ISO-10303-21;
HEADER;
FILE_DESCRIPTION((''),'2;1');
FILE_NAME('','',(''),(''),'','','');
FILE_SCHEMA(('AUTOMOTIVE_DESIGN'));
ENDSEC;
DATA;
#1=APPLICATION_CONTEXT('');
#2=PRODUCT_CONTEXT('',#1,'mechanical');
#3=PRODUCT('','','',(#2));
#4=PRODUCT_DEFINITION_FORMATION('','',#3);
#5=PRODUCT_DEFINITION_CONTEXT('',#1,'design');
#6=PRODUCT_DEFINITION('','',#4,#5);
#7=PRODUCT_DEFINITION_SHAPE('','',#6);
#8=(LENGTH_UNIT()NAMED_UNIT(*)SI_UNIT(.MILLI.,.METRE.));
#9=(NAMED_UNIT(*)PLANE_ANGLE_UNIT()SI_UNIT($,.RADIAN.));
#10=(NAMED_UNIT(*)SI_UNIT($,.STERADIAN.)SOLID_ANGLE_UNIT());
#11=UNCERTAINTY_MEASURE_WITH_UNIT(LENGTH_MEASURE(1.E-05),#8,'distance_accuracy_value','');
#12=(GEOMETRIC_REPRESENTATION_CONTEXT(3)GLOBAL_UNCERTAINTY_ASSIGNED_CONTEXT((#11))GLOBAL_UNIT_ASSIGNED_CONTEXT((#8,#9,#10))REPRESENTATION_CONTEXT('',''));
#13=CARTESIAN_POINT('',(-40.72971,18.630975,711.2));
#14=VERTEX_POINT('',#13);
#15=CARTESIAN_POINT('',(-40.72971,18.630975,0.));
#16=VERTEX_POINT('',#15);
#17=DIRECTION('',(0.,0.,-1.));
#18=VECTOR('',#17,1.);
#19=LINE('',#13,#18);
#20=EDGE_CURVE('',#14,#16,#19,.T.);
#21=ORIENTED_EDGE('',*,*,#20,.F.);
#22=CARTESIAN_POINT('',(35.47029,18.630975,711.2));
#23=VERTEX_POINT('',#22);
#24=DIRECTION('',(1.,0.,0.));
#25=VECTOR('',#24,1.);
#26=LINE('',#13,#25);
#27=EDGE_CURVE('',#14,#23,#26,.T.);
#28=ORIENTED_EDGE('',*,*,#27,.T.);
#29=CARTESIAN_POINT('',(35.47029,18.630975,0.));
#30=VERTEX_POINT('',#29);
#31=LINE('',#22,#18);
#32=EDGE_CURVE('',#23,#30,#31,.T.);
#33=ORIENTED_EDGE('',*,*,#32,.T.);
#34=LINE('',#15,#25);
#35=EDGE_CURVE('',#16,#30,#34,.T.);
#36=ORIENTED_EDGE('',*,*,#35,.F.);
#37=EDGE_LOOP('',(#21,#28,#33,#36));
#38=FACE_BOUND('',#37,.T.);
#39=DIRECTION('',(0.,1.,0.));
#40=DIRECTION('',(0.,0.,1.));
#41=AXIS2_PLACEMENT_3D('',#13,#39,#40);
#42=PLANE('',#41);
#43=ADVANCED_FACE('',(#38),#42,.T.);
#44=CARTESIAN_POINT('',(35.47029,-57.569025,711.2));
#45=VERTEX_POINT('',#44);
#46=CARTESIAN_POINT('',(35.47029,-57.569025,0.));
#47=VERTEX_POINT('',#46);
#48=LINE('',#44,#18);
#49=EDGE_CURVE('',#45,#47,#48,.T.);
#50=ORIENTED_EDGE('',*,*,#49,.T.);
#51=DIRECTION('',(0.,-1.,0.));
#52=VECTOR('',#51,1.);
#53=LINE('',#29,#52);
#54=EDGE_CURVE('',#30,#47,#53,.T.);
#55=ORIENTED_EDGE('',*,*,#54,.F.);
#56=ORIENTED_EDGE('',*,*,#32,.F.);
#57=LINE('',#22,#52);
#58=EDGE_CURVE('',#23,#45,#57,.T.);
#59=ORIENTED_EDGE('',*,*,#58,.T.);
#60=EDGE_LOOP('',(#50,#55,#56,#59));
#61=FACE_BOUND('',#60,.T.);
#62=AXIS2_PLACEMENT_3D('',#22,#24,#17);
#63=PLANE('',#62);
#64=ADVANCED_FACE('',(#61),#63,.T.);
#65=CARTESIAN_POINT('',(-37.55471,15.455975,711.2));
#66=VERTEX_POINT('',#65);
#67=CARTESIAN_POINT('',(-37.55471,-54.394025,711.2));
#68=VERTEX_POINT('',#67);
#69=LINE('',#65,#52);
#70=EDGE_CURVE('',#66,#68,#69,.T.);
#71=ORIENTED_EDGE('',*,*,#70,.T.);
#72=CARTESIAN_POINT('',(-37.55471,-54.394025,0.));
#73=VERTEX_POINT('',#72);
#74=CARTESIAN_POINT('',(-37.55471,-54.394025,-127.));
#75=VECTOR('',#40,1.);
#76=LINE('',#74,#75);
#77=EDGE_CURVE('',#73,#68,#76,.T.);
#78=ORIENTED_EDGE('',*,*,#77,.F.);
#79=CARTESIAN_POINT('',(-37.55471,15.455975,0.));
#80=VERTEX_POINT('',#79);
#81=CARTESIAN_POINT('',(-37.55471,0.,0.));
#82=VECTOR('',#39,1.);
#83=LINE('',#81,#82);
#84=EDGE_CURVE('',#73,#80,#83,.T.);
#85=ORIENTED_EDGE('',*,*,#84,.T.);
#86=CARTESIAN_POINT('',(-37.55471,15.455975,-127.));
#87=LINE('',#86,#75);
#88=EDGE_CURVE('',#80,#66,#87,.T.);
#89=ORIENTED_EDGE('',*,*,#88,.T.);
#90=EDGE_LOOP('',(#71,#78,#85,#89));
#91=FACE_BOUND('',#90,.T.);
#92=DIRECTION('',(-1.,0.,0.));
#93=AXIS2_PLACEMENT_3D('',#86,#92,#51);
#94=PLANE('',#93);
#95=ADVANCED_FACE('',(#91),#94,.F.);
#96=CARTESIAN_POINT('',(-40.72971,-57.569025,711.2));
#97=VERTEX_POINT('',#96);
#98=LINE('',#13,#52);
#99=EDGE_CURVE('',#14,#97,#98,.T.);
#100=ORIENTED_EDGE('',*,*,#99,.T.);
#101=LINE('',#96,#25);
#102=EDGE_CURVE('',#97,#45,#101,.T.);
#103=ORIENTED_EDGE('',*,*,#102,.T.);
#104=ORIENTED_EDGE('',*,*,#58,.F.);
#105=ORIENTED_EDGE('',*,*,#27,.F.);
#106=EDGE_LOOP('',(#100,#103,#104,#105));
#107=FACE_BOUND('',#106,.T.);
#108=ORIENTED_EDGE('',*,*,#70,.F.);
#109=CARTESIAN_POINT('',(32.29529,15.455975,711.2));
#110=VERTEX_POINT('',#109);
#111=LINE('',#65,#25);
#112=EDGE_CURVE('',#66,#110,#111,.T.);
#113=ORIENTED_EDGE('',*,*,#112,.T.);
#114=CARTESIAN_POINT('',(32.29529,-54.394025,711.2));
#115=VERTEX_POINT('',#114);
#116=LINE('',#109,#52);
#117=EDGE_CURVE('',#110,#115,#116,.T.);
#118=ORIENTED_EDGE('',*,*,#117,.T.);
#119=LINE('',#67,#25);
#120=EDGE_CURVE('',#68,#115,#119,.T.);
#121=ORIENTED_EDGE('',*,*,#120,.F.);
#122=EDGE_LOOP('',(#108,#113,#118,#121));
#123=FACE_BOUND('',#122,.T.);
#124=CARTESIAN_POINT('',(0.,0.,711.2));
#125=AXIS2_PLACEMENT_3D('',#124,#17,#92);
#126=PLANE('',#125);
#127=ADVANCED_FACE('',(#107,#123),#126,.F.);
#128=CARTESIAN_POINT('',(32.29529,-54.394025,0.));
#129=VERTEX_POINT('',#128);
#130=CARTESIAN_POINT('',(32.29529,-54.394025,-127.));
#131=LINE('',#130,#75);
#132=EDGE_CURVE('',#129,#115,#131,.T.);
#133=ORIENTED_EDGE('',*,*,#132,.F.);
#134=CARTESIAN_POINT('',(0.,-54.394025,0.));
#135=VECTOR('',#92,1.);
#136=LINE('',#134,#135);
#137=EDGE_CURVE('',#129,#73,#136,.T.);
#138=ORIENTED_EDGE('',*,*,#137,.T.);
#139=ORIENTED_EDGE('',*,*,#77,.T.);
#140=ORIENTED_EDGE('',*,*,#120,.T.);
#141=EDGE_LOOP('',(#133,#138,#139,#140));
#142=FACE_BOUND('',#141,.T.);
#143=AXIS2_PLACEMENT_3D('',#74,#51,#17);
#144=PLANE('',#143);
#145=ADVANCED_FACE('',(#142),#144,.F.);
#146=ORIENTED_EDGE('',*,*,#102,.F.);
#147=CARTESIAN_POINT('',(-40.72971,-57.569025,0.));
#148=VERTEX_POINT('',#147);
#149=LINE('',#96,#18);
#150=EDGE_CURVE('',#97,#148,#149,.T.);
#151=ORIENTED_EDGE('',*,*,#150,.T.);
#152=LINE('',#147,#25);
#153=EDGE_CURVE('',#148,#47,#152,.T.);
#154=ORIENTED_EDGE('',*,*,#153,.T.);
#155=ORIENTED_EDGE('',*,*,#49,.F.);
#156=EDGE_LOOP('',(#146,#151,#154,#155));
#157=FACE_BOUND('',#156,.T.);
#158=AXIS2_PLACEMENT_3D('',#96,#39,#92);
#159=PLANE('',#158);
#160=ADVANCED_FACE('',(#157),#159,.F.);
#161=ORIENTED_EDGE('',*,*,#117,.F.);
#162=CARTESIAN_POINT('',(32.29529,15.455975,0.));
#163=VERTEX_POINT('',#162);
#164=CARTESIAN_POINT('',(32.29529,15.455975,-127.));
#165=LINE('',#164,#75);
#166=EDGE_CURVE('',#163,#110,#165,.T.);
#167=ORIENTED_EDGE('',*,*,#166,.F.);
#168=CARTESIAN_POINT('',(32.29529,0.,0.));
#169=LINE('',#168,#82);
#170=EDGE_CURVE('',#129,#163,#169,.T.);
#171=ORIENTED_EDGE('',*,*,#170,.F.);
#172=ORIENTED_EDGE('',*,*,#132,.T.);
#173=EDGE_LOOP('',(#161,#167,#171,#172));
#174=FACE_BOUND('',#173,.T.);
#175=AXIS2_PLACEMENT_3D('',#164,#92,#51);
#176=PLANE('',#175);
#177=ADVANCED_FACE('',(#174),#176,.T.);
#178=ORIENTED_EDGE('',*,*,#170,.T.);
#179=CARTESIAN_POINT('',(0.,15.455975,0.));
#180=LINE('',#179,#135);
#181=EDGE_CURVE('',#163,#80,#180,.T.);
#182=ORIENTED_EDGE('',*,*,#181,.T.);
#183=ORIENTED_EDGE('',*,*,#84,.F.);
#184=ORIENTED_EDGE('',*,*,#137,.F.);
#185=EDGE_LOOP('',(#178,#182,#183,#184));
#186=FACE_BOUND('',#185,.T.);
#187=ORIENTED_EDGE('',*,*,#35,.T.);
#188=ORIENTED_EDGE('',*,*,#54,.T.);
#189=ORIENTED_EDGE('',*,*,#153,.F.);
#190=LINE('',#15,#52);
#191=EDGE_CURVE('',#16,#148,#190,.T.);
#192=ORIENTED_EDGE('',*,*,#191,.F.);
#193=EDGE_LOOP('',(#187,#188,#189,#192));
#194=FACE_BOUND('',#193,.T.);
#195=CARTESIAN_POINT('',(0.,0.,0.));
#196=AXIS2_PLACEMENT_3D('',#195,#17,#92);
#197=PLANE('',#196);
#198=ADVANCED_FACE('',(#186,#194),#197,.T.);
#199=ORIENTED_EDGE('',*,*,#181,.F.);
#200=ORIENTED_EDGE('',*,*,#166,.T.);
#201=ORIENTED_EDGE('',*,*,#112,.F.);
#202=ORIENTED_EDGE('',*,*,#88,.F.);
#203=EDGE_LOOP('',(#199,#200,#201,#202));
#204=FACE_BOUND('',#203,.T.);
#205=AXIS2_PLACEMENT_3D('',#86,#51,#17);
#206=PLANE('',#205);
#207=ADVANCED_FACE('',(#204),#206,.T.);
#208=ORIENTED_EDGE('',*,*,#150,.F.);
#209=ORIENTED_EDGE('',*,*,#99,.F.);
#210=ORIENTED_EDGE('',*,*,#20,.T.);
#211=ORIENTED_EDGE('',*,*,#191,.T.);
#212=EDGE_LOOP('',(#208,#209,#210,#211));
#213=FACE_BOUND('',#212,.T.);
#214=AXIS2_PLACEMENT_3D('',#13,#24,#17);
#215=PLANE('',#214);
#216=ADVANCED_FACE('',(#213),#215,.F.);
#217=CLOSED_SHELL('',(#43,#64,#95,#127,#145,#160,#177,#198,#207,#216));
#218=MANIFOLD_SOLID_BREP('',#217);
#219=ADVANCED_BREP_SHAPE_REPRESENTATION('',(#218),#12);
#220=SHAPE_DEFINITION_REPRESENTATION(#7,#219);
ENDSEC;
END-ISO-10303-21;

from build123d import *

# Parameters (mm, degrees)
SKETCH2_W           = 76.2
SKETCH2_H           = 76.2
BOSS_EXTRUDE1_DEPTH = 711.2
SKETCH3_W           = 69.85
SKETCH3_H           = 69.85
CUT_EXTRUDE1_DEPTH  = 838.2


with BuildPart() as part:
    # Sketch2 → Boss-Extrude1 (new body)
    with BuildSketch(Plane.XY):
        with Locations((-2.629709588, -19.469024582)):
            Rectangle(SKETCH2_W, SKETCH2_H)
    extrude(amount=BOSS_EXTRUDE1_DEPTH)

    # Sketch3 → Cut-Extrude1 (cut)
    with BuildSketch(Plane.XY.offset(711.2)):
        with Locations((-2.629709588, -19.469024582)):
            Rectangle(SKETCH3_W, SKETCH3_H)
    extrude(amount=-CUT_EXTRUDE1_DEPTH, mode=Mode.SUBTRACT)


solid = part.part
